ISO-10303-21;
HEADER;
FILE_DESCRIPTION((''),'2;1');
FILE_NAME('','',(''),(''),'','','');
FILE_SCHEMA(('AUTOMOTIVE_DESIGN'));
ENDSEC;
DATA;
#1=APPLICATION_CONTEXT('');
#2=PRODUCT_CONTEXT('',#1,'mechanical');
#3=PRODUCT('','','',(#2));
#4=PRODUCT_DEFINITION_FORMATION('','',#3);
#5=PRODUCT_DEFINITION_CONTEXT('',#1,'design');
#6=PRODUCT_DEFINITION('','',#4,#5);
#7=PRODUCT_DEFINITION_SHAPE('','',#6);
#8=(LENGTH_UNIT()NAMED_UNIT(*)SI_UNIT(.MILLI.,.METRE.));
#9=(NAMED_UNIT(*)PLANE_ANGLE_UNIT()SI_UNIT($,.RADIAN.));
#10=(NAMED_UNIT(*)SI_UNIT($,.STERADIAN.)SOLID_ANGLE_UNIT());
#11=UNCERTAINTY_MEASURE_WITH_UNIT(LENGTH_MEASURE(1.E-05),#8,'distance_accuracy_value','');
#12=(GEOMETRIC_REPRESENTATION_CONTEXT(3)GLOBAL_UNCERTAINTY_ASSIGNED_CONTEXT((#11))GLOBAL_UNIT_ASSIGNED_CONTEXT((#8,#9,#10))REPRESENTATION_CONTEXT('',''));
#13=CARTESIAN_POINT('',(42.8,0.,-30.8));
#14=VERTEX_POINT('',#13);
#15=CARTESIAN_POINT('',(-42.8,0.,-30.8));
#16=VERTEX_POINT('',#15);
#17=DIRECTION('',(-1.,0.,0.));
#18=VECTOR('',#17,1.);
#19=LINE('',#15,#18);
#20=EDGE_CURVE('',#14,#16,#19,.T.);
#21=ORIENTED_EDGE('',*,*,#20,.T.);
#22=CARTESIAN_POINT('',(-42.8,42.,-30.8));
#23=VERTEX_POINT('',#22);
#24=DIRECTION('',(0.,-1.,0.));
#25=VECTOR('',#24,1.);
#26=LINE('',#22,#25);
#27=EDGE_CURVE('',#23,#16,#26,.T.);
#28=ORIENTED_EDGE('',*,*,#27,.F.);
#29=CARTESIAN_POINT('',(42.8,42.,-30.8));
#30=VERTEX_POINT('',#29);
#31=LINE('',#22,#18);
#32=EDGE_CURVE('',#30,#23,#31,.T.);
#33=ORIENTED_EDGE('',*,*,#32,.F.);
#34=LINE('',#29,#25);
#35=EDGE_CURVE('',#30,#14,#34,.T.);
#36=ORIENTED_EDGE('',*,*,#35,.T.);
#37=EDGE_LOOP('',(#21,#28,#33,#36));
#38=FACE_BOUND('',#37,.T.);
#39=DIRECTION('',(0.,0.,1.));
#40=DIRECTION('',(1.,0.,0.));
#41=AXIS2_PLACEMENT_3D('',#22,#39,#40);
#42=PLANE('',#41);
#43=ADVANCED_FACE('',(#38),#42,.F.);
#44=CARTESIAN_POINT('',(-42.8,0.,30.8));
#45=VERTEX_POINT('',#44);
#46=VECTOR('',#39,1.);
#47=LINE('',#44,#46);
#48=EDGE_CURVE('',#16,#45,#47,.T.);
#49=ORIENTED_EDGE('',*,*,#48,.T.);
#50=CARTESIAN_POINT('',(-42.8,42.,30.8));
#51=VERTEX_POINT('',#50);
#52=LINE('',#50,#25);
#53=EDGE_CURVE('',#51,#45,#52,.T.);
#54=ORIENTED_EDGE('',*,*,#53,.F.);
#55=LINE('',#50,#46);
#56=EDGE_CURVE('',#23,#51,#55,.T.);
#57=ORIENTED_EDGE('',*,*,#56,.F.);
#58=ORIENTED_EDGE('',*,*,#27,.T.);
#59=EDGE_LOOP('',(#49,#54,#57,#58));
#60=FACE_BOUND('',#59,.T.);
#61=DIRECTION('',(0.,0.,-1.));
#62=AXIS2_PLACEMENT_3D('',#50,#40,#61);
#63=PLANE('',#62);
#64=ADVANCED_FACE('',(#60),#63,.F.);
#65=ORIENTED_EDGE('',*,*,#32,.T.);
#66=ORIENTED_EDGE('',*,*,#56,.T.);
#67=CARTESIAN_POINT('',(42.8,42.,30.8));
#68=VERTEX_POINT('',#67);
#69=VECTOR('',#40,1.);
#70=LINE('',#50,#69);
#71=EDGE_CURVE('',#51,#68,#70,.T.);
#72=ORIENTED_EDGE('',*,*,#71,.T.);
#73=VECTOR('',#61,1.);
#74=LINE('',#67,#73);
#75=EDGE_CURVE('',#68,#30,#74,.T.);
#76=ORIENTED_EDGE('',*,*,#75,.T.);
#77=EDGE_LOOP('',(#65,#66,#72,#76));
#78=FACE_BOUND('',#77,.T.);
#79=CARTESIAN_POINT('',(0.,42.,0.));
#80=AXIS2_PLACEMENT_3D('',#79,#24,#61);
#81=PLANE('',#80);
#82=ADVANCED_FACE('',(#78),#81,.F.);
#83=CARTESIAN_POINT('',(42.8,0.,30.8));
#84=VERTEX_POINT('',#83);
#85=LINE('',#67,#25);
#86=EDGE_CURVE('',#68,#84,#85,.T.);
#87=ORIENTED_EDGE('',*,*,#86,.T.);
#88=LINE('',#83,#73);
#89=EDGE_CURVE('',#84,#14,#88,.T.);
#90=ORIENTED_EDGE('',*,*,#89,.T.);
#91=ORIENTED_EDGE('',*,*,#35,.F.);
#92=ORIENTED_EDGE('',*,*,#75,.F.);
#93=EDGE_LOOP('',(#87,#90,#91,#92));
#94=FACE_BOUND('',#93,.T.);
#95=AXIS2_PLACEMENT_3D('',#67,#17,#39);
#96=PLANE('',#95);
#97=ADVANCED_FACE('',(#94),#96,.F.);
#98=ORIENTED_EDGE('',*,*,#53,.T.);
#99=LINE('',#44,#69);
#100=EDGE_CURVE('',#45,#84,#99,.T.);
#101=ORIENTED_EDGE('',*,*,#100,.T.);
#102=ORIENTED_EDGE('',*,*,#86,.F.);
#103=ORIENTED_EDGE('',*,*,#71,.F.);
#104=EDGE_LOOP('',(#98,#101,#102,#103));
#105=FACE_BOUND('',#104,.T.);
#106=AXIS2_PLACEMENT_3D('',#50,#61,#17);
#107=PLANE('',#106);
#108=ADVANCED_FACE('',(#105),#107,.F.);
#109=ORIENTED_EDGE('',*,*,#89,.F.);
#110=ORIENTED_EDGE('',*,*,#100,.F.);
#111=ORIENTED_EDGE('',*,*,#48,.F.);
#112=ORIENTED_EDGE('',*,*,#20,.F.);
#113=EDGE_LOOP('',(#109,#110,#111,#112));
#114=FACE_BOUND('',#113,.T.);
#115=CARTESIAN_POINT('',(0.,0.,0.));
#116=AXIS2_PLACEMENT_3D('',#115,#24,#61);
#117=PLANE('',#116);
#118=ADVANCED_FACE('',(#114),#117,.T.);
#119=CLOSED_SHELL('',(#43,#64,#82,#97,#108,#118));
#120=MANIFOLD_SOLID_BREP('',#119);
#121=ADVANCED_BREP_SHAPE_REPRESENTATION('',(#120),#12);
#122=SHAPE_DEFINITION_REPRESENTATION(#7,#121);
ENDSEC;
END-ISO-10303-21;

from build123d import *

# Parameters (mm, degrees)
SKETCH_1_W      = 85.6
SKETCH_1_H      = 61.6
EXTRUDE_1_DEPTH = 42


with BuildPart() as part:
    # 草图1 → 凸台-拉伸1 (new body)
    with BuildSketch(Plane(origin=(0, 0, 0), x_dir=(1, 0, 0), z_dir=(0, 1, 0))):
        Rectangle(SKETCH_1_W, SKETCH_1_H)
    extrude(amount=EXTRUDE_1_DEPTH)


solid = part.part
